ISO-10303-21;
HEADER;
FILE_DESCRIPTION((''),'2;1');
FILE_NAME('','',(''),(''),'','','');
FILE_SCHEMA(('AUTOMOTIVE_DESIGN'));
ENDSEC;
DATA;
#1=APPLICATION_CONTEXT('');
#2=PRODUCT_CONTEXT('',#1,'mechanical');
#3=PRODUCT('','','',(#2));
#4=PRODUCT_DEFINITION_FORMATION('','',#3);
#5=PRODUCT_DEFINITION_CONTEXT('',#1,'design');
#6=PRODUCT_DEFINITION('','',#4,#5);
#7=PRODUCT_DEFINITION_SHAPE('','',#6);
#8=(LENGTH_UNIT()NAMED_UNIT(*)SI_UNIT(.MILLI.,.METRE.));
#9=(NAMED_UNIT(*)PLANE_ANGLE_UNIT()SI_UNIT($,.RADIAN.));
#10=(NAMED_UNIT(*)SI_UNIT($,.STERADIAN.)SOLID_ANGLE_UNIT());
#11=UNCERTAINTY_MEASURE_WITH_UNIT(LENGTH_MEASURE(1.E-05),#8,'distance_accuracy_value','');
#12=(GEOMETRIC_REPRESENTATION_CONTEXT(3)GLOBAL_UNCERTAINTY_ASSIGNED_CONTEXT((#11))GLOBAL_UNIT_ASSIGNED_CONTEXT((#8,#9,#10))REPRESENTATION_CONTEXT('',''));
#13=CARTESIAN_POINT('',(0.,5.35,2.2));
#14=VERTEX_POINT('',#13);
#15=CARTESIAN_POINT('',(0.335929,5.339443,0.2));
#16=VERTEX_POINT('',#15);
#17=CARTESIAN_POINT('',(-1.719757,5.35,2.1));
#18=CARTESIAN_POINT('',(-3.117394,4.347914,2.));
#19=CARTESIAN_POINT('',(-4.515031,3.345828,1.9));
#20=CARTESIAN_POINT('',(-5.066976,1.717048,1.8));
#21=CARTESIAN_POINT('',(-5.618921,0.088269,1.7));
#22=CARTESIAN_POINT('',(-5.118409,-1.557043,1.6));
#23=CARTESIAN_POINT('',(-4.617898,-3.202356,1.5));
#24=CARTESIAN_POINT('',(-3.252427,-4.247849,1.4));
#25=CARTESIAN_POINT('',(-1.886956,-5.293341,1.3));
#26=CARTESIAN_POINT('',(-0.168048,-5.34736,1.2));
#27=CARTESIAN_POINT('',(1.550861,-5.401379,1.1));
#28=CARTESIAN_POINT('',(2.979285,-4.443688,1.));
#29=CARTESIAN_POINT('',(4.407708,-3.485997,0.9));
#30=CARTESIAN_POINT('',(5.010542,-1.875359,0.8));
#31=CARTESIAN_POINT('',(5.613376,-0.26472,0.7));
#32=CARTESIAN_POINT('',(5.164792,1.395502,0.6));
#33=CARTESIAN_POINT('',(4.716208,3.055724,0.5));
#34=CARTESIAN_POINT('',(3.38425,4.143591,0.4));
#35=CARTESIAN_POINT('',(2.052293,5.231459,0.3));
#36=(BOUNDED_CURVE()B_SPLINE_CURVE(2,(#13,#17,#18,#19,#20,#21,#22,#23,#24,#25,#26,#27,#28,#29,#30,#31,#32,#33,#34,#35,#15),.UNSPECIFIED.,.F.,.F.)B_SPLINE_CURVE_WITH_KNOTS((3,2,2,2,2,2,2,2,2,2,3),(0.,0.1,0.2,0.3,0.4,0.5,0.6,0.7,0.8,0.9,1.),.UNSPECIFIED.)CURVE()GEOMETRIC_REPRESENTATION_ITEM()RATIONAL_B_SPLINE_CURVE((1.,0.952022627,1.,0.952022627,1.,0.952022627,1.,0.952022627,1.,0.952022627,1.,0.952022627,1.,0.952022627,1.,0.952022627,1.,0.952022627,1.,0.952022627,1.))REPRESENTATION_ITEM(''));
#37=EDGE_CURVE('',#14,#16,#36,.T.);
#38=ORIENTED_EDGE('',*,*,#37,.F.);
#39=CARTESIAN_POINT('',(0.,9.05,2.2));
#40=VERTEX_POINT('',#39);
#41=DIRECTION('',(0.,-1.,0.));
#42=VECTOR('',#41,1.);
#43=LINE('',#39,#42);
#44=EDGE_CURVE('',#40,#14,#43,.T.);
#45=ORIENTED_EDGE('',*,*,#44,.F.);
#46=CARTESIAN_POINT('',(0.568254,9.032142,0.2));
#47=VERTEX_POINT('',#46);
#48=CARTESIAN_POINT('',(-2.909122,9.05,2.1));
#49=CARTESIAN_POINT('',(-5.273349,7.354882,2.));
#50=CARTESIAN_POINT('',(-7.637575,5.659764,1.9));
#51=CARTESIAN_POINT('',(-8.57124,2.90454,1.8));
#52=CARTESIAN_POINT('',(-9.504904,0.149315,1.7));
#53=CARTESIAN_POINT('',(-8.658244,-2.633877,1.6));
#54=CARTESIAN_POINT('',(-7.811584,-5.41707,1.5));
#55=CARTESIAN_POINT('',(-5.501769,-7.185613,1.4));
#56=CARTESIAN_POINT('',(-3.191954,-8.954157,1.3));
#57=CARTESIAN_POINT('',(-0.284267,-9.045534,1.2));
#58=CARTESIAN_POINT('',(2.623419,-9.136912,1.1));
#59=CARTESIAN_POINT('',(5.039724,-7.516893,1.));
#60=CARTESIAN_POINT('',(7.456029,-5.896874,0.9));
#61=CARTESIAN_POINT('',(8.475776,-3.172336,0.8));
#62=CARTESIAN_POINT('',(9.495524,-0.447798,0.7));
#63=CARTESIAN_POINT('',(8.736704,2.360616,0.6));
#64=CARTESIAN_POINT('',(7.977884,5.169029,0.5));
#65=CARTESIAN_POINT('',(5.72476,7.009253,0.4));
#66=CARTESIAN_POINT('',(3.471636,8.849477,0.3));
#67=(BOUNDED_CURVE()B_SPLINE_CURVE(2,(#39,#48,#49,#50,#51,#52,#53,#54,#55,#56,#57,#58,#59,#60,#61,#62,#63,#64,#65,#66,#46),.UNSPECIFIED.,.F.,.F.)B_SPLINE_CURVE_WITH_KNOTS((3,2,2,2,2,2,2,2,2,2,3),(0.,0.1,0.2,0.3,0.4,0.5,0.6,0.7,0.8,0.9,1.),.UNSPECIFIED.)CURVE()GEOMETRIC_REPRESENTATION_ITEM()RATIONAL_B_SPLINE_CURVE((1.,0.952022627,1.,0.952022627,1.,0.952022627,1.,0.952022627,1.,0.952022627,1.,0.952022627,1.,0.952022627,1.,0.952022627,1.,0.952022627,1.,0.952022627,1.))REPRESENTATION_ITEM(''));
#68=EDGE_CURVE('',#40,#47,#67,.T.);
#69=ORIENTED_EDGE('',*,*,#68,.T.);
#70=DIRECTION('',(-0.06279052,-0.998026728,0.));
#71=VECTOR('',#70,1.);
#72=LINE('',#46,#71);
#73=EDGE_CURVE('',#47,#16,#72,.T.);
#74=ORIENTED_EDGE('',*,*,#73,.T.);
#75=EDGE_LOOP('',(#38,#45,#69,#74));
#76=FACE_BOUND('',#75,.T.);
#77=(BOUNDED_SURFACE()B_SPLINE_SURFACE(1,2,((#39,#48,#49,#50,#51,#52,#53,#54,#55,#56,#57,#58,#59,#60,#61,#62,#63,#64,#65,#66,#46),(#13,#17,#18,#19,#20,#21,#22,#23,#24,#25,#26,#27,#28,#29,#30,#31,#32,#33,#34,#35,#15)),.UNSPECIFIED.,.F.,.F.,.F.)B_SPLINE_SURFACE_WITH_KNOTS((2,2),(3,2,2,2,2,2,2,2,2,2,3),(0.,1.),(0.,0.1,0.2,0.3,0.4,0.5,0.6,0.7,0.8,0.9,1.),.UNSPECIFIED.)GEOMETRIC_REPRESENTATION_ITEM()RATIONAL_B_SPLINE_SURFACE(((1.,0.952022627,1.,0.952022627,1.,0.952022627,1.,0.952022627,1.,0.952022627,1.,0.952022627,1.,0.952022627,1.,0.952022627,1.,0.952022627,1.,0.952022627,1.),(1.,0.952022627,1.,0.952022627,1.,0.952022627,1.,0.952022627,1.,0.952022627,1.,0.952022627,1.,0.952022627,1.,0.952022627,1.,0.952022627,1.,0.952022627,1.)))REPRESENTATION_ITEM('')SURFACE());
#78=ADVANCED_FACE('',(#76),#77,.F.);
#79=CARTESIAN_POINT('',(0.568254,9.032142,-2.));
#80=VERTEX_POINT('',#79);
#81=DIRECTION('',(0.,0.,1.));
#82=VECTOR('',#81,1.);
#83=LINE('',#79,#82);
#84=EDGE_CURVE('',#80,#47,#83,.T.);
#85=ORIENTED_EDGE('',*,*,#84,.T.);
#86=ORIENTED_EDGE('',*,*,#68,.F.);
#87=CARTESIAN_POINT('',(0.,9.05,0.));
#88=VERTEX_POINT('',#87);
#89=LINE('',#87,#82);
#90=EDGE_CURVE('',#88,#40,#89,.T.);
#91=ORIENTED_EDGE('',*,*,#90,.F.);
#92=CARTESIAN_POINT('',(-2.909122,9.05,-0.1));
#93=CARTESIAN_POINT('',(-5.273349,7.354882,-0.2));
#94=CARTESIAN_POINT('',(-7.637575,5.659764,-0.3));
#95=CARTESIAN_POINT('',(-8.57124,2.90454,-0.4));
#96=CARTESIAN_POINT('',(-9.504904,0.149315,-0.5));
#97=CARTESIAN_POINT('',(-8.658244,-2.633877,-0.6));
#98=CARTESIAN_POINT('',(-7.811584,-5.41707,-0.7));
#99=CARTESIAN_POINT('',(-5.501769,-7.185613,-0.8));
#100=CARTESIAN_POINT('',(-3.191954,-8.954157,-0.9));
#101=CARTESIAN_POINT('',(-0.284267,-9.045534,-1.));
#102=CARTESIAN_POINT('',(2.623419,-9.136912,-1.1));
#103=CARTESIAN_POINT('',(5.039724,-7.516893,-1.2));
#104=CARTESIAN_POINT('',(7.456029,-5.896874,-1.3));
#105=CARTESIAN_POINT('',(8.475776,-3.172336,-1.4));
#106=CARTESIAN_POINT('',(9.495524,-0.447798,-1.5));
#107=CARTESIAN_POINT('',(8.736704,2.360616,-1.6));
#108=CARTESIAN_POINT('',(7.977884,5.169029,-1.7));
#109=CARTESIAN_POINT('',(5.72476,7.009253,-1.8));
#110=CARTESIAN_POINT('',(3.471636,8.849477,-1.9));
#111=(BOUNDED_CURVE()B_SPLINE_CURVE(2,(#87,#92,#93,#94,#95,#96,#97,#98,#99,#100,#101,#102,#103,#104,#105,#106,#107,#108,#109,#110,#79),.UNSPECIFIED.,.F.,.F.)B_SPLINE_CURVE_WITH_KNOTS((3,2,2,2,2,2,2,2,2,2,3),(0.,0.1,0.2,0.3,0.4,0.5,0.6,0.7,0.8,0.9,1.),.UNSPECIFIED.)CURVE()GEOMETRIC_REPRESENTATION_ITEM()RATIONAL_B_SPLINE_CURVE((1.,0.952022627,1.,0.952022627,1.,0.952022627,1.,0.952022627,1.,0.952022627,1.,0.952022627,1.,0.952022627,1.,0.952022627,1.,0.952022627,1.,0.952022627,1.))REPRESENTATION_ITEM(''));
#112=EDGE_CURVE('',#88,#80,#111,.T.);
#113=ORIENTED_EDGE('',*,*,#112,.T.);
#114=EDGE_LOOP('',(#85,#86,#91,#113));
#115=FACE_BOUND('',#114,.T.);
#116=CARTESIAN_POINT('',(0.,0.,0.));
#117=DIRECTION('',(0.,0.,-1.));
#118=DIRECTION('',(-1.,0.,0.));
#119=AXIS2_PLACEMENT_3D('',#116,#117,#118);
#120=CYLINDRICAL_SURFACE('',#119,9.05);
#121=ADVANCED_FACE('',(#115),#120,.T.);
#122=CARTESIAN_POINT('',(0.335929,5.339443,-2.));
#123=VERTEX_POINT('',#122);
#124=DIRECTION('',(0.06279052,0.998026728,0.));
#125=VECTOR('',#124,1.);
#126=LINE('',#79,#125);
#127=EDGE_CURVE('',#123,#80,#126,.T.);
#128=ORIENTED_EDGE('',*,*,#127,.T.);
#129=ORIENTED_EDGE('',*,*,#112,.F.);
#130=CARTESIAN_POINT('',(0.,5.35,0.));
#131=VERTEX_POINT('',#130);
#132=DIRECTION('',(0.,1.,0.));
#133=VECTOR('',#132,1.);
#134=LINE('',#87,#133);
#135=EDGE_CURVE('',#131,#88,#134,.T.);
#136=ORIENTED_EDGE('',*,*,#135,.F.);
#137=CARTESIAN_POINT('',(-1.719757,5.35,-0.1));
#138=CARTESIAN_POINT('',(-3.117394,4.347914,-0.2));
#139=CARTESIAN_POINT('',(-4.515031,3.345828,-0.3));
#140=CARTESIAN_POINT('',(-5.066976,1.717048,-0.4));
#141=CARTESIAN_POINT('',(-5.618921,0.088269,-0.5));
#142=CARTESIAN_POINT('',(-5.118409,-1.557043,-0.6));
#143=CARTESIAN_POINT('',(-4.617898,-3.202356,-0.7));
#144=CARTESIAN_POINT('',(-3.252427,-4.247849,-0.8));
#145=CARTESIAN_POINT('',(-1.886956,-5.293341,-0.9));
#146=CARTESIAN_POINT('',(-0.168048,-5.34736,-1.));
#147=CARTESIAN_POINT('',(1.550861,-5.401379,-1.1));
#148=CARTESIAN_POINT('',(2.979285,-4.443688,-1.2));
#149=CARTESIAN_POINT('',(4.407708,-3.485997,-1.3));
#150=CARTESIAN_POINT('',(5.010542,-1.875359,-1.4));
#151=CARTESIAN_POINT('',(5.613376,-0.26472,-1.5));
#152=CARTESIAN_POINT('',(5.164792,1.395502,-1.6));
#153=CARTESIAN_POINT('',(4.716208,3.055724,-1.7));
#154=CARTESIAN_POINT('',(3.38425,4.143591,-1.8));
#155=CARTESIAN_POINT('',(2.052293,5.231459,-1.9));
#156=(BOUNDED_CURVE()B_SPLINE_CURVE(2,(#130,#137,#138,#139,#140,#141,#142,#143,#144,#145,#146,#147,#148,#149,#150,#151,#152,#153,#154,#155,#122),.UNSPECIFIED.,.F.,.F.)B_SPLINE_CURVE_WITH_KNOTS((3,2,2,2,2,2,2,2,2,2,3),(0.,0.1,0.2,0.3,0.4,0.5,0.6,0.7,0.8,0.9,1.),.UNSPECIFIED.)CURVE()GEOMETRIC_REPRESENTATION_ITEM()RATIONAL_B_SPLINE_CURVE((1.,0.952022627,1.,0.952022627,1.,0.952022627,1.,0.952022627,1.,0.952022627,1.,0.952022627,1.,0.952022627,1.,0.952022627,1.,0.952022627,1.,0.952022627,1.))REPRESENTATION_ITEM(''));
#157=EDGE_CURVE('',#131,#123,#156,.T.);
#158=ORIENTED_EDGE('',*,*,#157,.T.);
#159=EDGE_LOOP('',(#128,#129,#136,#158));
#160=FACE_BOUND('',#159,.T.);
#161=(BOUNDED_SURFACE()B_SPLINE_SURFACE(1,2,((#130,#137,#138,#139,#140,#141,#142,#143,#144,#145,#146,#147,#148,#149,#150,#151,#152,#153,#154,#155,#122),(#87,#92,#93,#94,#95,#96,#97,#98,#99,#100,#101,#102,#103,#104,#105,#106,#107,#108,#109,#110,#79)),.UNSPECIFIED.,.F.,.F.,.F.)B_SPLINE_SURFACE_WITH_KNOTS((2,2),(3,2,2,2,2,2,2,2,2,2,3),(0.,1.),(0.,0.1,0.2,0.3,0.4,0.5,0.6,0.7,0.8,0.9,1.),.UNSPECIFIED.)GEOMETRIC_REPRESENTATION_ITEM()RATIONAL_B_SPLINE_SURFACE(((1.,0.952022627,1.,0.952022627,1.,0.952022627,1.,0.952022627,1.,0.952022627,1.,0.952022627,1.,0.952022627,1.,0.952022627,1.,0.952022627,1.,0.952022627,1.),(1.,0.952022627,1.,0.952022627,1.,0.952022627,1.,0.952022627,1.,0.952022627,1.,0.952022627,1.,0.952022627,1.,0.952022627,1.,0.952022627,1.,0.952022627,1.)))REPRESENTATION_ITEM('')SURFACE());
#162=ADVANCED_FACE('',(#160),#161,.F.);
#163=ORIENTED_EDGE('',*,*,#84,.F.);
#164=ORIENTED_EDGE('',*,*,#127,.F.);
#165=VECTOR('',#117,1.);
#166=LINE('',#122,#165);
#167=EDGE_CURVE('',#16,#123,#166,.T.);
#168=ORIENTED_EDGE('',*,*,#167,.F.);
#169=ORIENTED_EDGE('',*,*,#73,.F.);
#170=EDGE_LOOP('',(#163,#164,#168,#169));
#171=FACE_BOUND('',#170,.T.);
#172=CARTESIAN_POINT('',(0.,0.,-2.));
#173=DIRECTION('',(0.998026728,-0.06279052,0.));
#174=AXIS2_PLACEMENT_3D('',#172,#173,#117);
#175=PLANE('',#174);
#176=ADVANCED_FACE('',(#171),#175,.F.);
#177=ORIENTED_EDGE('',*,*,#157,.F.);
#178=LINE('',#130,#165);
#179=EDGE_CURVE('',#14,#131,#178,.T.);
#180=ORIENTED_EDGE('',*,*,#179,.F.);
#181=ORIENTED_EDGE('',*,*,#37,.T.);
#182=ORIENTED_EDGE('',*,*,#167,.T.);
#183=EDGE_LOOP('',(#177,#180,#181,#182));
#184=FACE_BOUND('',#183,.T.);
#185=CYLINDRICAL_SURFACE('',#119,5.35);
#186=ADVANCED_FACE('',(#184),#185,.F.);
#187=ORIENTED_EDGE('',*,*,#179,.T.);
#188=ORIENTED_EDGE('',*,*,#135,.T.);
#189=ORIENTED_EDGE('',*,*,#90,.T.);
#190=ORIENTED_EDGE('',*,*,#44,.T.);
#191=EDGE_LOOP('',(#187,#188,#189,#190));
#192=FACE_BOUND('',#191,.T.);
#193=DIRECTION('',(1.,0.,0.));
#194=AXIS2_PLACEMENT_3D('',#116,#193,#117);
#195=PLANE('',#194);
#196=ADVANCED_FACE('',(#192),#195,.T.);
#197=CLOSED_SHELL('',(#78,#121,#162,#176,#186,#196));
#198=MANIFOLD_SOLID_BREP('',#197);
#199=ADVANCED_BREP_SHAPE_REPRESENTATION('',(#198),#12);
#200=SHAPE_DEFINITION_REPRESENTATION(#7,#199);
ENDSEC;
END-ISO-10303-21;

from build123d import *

# Parameters (mm, degrees)
SWEEP1_PITCH       = 2.02020202
SWEEP1_HEIGHT      = 2
SWEEP1_RADIUS      = 9.05
SWEEP1_START_ANGLE = 90
SKETCH4_W          = 2.2
SKETCH4_H          = 3.7


with BuildPart() as part:
    # Sweep1: sweep along a helix
    with BuildLine() as sweep1_path:
        add(Helix(SWEEP1_PITCH, SWEEP1_HEIGHT, SWEEP1_RADIUS, center=(0, 0, 0), direction=(0, 0, -1), lefthand=True, mode=Mode.PRIVATE).rotate(Axis((0, 0, 0), (0, 0, -1)), SWEEP1_START_ANGLE))
    # Sketch4 → Sweep1 (sweep)
    with BuildSketch(Plane(origin=(0, 0, 0), x_dir=(0, 0, -1), z_dir=(1, 0, 0))):
        with Locations((-1.1, 7.2)):
            Rectangle(SKETCH4_W, SKETCH4_H)
    sweep(path=sweep1_path.line, is_frenet=True)


solid = part.part
